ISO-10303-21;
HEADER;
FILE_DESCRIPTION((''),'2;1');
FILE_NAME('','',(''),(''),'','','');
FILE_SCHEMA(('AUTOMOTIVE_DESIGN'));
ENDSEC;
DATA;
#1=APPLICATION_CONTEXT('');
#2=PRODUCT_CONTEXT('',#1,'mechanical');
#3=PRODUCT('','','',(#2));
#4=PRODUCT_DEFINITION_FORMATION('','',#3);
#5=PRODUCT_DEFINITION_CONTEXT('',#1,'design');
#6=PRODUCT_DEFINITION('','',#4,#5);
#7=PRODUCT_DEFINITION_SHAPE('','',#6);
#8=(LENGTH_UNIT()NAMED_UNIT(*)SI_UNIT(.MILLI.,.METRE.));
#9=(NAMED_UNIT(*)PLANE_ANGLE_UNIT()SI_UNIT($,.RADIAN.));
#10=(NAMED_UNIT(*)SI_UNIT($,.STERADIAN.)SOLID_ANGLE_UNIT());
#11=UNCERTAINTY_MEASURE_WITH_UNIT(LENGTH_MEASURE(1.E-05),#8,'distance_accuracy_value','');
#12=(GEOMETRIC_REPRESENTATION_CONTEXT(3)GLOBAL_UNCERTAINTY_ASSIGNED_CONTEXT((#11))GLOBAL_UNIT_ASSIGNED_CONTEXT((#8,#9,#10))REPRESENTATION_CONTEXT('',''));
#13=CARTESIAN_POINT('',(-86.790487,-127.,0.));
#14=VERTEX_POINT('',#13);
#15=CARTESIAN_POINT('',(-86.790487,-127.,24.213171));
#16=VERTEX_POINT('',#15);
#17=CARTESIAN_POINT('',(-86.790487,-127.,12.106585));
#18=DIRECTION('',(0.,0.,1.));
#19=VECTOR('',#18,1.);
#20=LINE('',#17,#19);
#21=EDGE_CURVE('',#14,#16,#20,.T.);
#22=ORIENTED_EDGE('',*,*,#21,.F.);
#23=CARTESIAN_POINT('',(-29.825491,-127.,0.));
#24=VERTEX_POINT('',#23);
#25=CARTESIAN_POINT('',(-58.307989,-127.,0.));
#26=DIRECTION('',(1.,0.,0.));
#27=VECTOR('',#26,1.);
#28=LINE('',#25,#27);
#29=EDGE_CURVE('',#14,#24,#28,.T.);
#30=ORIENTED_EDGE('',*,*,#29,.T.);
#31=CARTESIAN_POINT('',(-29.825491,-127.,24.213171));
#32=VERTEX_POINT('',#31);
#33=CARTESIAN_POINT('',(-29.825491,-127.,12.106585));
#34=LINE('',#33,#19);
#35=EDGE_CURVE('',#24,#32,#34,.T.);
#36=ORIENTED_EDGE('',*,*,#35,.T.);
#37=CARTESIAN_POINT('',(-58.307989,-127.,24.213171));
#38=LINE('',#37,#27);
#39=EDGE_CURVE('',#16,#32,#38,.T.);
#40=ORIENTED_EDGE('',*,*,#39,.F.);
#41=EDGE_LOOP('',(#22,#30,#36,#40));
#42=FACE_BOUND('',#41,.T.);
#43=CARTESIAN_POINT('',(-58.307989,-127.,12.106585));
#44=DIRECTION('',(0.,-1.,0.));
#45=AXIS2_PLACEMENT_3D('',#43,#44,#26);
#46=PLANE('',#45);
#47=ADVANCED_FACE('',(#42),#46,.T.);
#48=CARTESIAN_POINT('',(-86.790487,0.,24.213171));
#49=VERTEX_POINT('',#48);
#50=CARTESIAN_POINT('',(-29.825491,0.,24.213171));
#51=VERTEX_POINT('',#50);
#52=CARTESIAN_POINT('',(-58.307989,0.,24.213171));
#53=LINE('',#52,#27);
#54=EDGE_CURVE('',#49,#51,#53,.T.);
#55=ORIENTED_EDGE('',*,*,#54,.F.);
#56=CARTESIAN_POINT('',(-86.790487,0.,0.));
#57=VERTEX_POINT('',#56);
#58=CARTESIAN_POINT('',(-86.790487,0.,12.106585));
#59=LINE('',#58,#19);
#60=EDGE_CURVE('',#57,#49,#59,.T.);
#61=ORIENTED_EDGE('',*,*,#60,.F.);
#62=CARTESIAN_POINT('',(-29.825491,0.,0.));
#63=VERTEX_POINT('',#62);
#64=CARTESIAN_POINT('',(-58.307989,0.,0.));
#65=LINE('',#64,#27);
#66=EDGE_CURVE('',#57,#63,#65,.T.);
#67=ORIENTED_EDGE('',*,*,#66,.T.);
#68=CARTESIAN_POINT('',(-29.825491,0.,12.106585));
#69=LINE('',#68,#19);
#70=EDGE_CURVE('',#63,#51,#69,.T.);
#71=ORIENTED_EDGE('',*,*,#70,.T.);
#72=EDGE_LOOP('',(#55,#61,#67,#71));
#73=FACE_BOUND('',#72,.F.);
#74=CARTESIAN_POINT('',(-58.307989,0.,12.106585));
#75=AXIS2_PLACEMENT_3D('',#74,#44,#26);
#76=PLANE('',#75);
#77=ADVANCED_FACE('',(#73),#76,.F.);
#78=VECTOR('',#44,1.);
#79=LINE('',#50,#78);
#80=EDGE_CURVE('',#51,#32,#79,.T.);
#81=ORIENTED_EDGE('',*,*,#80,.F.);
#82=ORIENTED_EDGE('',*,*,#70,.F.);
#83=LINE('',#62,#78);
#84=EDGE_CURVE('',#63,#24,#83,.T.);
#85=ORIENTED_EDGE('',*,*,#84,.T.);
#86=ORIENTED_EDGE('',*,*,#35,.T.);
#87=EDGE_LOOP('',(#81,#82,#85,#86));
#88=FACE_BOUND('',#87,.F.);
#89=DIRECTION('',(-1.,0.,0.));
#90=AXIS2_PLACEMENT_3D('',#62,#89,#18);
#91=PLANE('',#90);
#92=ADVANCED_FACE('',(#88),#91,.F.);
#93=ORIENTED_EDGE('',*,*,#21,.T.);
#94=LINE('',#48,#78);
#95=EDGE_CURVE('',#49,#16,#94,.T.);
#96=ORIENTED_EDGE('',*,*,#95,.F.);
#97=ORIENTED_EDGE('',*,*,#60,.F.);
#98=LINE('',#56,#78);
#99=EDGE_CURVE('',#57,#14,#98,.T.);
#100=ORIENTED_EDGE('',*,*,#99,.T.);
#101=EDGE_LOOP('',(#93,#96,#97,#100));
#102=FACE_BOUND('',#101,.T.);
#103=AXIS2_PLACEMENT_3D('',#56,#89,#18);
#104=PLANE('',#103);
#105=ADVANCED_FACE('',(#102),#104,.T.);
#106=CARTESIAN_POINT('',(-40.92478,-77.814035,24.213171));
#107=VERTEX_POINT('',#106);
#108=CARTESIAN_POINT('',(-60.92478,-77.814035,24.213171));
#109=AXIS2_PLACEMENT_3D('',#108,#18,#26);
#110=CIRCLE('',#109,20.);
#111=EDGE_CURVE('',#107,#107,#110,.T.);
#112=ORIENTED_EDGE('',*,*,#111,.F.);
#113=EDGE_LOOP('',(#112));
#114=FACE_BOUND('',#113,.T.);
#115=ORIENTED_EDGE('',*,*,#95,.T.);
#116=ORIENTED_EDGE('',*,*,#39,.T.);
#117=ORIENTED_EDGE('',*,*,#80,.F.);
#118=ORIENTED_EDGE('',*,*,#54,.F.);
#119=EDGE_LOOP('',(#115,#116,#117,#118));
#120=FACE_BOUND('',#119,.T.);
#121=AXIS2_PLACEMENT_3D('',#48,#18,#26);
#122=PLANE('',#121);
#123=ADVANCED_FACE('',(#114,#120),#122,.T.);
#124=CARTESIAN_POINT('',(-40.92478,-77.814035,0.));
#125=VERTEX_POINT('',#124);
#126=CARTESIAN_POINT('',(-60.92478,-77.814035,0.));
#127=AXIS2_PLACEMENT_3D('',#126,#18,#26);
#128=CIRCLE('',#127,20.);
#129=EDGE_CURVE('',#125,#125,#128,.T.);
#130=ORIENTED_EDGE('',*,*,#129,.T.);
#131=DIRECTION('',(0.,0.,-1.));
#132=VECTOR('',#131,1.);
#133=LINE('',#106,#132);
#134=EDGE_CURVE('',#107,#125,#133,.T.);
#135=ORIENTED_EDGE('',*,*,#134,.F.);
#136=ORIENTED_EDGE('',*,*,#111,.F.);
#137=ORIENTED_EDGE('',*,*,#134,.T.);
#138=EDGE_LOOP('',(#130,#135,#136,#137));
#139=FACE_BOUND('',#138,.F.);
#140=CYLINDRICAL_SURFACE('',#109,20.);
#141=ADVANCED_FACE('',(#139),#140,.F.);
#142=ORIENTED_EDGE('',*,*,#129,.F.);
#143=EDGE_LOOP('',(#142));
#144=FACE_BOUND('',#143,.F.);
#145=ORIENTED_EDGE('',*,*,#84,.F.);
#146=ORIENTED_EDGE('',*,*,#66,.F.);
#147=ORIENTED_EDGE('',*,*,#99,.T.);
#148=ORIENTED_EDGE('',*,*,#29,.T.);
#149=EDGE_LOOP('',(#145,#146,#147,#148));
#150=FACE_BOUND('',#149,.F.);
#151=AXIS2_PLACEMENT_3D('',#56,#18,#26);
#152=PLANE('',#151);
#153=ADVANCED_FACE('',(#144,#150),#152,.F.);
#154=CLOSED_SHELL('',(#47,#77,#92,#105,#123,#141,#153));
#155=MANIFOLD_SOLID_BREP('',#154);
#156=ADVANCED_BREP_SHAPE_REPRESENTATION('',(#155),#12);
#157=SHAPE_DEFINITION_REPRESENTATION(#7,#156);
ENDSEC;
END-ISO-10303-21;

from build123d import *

# Parameters (mm, degrees)
F0_W     = 56.964995
F0_H     = 24.213171
F1_DEPTH = 127
F2_R     = 20
F3_DEPTH = 25


with BuildPart() as f1:
    # F0 (on Front) → F1 (new body)
    with BuildSketch(Plane.XZ):
        with Locations((-58.307989, 12.106585)):
            Rectangle(F0_W, F0_H)
    extrude(amount=F1_DEPTH)

    # F2 (on face) → F3 (cut)
    with BuildSketch(Plane.XY.offset(24.213171)):
        with Locations((-60.92478, -77.814035)):
            Circle(F2_R)
    extrude(amount=-F3_DEPTH, mode=Mode.SUBTRACT)


solid = f1.part
